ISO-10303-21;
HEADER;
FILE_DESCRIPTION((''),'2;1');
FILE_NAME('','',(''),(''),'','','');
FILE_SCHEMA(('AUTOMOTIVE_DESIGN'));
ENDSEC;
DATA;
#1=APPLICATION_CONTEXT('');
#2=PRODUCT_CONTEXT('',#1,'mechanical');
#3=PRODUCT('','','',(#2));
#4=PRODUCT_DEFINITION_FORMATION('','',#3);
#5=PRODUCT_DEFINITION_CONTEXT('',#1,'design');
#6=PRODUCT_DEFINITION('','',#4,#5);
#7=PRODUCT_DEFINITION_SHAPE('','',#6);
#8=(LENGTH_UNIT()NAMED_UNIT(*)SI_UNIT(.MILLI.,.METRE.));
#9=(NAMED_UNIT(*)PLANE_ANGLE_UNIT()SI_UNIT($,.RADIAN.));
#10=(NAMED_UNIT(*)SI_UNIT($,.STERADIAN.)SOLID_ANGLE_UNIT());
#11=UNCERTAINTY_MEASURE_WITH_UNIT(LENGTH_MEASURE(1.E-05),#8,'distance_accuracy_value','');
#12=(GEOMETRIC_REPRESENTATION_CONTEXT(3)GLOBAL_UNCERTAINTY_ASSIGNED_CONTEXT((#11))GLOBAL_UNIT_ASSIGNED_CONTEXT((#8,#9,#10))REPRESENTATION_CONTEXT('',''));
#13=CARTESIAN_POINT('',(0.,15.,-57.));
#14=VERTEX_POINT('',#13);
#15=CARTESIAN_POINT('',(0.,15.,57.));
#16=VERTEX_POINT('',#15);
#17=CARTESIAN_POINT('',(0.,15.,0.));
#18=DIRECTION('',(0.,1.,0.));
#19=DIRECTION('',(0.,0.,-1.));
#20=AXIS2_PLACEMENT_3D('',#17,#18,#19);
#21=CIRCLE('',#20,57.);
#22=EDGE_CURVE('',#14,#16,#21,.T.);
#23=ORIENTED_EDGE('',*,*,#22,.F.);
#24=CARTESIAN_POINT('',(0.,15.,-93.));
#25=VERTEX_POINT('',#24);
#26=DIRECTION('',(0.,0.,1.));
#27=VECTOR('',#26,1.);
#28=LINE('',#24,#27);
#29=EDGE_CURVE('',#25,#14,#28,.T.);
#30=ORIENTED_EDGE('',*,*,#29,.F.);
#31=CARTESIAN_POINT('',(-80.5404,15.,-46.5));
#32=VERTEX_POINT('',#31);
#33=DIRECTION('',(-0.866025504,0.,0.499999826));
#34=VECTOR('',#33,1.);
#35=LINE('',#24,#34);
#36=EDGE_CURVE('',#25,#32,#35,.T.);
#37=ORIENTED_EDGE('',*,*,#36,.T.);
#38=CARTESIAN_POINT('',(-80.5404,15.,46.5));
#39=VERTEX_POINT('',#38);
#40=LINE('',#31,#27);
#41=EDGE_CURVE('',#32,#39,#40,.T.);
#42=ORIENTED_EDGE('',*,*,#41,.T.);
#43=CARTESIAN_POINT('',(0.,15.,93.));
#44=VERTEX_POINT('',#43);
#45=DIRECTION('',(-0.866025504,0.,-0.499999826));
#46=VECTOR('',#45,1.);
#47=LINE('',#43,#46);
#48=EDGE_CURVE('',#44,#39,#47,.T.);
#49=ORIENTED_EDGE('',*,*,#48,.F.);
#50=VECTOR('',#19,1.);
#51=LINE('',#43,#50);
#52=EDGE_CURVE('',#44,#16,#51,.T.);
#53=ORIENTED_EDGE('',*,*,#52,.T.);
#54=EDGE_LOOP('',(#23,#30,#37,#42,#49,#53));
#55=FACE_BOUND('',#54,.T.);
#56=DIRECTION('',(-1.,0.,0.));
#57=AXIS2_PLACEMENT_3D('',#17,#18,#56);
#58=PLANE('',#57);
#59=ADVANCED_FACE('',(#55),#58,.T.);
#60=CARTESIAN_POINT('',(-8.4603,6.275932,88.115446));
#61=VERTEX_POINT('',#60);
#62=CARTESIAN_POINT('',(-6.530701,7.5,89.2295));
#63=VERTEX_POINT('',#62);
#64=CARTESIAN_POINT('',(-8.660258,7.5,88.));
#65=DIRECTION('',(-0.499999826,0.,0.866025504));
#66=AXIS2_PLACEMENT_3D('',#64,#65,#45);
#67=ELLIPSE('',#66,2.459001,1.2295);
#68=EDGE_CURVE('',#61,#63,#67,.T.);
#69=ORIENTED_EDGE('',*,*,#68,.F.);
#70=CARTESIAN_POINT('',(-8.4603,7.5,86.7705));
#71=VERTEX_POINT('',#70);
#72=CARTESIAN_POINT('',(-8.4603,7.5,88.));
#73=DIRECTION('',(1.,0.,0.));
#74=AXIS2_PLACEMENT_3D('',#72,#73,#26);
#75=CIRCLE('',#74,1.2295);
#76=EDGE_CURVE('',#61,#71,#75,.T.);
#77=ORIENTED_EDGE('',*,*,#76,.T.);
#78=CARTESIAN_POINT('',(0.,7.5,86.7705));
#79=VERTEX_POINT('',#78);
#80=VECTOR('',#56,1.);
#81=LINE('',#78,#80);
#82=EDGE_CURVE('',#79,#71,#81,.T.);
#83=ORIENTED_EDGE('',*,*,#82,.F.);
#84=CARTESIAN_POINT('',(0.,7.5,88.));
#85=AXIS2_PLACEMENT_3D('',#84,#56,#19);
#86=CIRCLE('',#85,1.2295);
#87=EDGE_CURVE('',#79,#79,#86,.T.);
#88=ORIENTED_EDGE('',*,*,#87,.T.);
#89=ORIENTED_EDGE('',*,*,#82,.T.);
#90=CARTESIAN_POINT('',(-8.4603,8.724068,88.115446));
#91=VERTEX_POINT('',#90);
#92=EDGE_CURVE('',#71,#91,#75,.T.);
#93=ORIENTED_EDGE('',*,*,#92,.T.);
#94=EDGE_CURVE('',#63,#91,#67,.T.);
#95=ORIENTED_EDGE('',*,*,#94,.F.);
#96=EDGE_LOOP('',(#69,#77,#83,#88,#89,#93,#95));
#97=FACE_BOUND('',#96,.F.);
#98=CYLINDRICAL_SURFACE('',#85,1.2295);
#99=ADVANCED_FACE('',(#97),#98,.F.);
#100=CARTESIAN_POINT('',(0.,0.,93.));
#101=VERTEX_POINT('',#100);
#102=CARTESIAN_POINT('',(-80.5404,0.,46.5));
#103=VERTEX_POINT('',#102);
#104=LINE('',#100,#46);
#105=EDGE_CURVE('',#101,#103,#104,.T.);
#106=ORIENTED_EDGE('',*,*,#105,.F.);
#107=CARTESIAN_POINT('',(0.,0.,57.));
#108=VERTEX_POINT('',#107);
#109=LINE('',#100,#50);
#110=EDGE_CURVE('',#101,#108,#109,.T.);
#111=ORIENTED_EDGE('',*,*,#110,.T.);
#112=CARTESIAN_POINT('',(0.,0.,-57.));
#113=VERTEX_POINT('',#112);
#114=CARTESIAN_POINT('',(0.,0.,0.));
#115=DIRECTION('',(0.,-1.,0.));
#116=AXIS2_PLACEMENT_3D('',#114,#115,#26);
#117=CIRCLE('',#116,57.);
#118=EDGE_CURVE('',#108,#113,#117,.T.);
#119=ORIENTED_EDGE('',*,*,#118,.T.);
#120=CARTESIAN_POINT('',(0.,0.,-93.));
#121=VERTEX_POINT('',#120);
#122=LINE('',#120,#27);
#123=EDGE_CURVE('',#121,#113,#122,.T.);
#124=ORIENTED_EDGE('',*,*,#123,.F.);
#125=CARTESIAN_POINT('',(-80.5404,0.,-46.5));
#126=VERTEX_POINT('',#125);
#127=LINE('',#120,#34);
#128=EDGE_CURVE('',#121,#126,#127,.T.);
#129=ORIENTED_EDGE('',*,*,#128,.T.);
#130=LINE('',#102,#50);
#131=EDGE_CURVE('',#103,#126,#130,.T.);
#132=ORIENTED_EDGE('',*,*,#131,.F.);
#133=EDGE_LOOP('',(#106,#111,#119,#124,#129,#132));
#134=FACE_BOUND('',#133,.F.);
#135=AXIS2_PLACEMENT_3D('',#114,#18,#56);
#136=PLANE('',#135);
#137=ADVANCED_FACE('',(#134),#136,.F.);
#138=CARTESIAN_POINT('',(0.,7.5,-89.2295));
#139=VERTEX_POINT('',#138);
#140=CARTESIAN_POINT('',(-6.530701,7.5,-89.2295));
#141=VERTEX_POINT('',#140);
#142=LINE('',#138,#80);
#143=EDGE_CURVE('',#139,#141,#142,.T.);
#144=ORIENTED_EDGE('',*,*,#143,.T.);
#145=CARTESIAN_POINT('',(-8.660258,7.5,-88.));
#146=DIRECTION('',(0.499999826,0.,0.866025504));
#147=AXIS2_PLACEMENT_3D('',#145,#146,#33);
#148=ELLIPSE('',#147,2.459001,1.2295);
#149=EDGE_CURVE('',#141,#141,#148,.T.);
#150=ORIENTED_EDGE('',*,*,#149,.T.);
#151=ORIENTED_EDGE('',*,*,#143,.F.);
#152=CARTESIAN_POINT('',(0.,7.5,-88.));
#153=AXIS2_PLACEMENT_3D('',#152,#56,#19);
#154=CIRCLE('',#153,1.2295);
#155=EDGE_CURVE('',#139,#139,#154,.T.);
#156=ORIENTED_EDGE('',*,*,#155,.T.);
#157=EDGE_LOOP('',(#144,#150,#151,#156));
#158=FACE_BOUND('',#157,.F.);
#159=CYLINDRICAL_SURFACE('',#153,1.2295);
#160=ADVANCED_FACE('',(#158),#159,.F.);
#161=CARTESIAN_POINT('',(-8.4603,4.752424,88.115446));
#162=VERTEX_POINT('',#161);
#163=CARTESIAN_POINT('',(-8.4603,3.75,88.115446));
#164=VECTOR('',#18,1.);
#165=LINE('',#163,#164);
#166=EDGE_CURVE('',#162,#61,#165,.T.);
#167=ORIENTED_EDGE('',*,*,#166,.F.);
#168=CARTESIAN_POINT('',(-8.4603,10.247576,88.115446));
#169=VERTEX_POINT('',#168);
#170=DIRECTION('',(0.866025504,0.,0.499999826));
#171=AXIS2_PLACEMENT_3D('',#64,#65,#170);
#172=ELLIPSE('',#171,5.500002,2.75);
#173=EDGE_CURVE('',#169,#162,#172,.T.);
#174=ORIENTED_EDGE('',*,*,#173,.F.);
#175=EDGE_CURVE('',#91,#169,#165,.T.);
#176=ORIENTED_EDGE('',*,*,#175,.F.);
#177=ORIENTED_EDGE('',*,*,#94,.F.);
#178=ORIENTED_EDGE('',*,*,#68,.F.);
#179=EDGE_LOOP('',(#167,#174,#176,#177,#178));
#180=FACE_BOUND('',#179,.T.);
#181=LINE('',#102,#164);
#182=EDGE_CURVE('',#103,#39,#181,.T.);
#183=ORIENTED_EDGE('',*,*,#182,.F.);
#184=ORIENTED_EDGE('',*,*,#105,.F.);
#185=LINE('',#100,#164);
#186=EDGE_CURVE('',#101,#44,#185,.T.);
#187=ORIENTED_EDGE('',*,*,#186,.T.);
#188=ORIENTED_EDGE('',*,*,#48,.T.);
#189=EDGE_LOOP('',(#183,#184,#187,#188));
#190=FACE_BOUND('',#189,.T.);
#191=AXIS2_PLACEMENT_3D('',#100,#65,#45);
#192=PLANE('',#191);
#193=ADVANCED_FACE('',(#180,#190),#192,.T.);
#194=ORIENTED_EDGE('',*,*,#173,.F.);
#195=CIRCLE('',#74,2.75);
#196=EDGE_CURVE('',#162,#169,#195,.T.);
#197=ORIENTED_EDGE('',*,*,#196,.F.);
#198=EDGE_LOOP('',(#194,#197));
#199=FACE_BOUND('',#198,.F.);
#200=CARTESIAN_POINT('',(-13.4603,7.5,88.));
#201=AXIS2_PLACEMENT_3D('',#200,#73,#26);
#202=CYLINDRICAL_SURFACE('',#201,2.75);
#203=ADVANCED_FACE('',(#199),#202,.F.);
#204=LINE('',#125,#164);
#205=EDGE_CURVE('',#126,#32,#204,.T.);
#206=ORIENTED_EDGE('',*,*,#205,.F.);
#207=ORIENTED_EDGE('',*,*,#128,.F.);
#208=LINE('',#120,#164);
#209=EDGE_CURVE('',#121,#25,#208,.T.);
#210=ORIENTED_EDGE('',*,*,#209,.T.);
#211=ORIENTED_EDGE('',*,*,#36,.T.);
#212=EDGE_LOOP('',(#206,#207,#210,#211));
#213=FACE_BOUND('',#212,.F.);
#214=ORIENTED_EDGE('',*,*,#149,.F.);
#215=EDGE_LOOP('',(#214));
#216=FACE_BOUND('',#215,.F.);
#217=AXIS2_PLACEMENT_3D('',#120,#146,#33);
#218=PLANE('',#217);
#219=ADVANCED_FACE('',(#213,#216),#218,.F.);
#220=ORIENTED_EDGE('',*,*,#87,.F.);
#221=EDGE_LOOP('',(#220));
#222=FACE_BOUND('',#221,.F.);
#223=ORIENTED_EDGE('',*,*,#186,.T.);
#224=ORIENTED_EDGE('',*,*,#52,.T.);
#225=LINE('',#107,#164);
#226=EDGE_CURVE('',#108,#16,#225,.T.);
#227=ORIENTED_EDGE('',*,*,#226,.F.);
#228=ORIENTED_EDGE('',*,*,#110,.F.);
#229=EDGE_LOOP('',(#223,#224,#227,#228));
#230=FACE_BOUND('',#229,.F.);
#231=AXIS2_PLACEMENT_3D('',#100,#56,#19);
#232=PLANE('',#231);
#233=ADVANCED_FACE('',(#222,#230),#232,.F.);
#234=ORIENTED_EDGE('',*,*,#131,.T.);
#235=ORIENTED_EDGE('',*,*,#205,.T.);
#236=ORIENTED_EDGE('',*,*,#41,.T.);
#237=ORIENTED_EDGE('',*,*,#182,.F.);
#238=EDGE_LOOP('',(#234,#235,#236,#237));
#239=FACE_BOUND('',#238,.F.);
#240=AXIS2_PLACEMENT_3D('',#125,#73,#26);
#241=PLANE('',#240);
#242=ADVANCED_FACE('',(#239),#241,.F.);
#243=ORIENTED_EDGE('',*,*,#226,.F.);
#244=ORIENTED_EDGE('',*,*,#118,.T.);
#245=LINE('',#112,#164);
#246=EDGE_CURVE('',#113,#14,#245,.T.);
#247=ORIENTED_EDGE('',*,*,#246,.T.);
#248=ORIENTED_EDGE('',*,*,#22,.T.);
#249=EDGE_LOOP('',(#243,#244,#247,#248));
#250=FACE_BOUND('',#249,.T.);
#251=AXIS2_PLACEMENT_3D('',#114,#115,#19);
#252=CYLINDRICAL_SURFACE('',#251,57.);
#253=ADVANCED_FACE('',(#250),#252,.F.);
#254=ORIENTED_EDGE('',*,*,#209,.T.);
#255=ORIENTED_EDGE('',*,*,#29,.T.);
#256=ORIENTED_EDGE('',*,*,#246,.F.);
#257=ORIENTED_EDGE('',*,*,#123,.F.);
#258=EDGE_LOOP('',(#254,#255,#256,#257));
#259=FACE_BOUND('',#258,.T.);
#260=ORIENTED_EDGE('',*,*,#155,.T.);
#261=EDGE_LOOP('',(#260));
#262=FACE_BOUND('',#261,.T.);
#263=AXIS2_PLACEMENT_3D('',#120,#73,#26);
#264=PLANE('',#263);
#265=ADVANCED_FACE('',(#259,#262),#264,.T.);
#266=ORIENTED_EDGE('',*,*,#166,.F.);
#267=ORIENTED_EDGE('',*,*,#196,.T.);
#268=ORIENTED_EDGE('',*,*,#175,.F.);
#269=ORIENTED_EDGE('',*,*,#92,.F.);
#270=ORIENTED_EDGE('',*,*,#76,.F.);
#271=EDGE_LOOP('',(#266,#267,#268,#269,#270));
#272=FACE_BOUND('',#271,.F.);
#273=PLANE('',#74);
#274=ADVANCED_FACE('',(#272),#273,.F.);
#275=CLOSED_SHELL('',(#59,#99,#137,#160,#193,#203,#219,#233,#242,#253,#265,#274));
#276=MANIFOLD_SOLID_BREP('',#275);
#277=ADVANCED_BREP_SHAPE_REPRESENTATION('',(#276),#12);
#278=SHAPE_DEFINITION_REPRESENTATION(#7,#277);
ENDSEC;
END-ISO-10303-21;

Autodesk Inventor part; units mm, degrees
sketch "スケッチ1" plane through (0, 0, 0) normal (0, 1, 0) x (-1, 0, 0)
  arc A0 (0, -57) -> (0, 57) centre (0, 0) ccw
  line L0 (0, 0) -> (80.5404, 46.5) construction
  line L1 (0, 0) -> (0, 93) construction
  line L2 (0, 93) -> (80.5404, 46.5)
  line L3 (80.5404, 46.5) -> (80.5404, 0)
  line L4 (80.5404, 0) -> (57, 0)
  line L5 (0, 0) -> (0, -93) construction
  line L6 (0, -93) -> (80.5404, -46.5)
  line L7 (80.5404, -46.5) -> (80.5404, 0)
  line L8 (0, -93) -> (0, -57)
  line L9 (0, 93) -> (0, 57)
  dimension "d0" = 57
extrude "押し出し1" add sketch "スケッチ1" along normal blind 15
sketch "スケッチ2" plane through (0, 0, 93) normal (1, 0, 0) x (0, 0, -1)
  line L0 (36, 0) -> (36, 15) projected
  line L1 (36, 15) -> (5, 15)
  line L2 (46.5, 15) -> (0, 15) projected
  line L3 (5, 15) -> (5, 7.5)
  line L4 (93, 0) -> (93, 15)
  line L5 (139.5, 15) -> (46.5, 15) projected
  line L6 (181, 15) -> (181, 7.5)
  dimension "d5" = 31
  dimension "d6" = 7.5
hole "穴1" at (0, 7.5, 88) direction (-1, 0, 0) diameter 2.459 end through all thread size "M3x0.5" class "6H" standard "ISO Metric profile"
sketch "スケッチ3" plane through (0, 0, 93) normal (-0.5, 0, 0.866) x (0.866, 0, 0.5)
  ellipse E0 centre (-10, 7.5) end of major axis (-12.459, 7.5) minor radius 1.2295 projected
  point P0 (-46.5, 0)
  point P1 (-7.541, 7.5)
sketch "スケッチ5" plane through (0, 0, 93) normal (-0.5, 0, 0.866) x (0.866, 0, 0.5)
  ellipse E0 centre (-10, 7.5) end of major axis (-12.459, 7.5) minor radius 1.2295 projected
  point P0 (-46.5, 0)
  point P1 (-12.459, 7.5)
ref_plane "作業平面3" through (-8.6603, 7.5, 88) normal (0, 0, -1) x (-1, 0, 0)
sketch "スケッチ7" plane through (-8.6603, 7.5, 88) normal (0, 0, -1) x (-1, 0, 0)
  line L0 (0, 0) -> (4.8, 0)
  point P0 (-8.6603, -7.5)
  dimension "d21" = 4.8
ref_plane "作業平面4" through (-13.4603, 7.5, 88) normal (-1, 0, 0) x (0, 0, 1)
sketch "スケッチ8" plane through (-13.4603, 7.5, 88) normal (-1, 0, 0) x (0, 0, 1)
  point P0 (-88, -7.5)
  point P1 (0, 0)
hole "穴3" at (-13.4603, 7.5, 88) direction (1, 0, 0) diameter 2.459 end through all counterbore diameter 5.5 counterbore depth 5 thread size "M3x0.5" class "6H" standard "ISO Metric profile"
sketch "スケッチ9" plane through (0, 15, 0) normal (0, 1, 0) x (1, 0, 0)
  point P0 (0, 0)
  point P1 (0, 0)
ref_plane "作業平面5" through (0, 15, 0) normal (0, 0, 1) x (1, 0, 0)
hole "穴4" at (0, 7.5, -88) direction (-1, 0, 0) diameter 2.459 end through all thread size "M3x0.5" class "6H" standard "ISO Metric profile"
properties part number "nowtrying_up"
